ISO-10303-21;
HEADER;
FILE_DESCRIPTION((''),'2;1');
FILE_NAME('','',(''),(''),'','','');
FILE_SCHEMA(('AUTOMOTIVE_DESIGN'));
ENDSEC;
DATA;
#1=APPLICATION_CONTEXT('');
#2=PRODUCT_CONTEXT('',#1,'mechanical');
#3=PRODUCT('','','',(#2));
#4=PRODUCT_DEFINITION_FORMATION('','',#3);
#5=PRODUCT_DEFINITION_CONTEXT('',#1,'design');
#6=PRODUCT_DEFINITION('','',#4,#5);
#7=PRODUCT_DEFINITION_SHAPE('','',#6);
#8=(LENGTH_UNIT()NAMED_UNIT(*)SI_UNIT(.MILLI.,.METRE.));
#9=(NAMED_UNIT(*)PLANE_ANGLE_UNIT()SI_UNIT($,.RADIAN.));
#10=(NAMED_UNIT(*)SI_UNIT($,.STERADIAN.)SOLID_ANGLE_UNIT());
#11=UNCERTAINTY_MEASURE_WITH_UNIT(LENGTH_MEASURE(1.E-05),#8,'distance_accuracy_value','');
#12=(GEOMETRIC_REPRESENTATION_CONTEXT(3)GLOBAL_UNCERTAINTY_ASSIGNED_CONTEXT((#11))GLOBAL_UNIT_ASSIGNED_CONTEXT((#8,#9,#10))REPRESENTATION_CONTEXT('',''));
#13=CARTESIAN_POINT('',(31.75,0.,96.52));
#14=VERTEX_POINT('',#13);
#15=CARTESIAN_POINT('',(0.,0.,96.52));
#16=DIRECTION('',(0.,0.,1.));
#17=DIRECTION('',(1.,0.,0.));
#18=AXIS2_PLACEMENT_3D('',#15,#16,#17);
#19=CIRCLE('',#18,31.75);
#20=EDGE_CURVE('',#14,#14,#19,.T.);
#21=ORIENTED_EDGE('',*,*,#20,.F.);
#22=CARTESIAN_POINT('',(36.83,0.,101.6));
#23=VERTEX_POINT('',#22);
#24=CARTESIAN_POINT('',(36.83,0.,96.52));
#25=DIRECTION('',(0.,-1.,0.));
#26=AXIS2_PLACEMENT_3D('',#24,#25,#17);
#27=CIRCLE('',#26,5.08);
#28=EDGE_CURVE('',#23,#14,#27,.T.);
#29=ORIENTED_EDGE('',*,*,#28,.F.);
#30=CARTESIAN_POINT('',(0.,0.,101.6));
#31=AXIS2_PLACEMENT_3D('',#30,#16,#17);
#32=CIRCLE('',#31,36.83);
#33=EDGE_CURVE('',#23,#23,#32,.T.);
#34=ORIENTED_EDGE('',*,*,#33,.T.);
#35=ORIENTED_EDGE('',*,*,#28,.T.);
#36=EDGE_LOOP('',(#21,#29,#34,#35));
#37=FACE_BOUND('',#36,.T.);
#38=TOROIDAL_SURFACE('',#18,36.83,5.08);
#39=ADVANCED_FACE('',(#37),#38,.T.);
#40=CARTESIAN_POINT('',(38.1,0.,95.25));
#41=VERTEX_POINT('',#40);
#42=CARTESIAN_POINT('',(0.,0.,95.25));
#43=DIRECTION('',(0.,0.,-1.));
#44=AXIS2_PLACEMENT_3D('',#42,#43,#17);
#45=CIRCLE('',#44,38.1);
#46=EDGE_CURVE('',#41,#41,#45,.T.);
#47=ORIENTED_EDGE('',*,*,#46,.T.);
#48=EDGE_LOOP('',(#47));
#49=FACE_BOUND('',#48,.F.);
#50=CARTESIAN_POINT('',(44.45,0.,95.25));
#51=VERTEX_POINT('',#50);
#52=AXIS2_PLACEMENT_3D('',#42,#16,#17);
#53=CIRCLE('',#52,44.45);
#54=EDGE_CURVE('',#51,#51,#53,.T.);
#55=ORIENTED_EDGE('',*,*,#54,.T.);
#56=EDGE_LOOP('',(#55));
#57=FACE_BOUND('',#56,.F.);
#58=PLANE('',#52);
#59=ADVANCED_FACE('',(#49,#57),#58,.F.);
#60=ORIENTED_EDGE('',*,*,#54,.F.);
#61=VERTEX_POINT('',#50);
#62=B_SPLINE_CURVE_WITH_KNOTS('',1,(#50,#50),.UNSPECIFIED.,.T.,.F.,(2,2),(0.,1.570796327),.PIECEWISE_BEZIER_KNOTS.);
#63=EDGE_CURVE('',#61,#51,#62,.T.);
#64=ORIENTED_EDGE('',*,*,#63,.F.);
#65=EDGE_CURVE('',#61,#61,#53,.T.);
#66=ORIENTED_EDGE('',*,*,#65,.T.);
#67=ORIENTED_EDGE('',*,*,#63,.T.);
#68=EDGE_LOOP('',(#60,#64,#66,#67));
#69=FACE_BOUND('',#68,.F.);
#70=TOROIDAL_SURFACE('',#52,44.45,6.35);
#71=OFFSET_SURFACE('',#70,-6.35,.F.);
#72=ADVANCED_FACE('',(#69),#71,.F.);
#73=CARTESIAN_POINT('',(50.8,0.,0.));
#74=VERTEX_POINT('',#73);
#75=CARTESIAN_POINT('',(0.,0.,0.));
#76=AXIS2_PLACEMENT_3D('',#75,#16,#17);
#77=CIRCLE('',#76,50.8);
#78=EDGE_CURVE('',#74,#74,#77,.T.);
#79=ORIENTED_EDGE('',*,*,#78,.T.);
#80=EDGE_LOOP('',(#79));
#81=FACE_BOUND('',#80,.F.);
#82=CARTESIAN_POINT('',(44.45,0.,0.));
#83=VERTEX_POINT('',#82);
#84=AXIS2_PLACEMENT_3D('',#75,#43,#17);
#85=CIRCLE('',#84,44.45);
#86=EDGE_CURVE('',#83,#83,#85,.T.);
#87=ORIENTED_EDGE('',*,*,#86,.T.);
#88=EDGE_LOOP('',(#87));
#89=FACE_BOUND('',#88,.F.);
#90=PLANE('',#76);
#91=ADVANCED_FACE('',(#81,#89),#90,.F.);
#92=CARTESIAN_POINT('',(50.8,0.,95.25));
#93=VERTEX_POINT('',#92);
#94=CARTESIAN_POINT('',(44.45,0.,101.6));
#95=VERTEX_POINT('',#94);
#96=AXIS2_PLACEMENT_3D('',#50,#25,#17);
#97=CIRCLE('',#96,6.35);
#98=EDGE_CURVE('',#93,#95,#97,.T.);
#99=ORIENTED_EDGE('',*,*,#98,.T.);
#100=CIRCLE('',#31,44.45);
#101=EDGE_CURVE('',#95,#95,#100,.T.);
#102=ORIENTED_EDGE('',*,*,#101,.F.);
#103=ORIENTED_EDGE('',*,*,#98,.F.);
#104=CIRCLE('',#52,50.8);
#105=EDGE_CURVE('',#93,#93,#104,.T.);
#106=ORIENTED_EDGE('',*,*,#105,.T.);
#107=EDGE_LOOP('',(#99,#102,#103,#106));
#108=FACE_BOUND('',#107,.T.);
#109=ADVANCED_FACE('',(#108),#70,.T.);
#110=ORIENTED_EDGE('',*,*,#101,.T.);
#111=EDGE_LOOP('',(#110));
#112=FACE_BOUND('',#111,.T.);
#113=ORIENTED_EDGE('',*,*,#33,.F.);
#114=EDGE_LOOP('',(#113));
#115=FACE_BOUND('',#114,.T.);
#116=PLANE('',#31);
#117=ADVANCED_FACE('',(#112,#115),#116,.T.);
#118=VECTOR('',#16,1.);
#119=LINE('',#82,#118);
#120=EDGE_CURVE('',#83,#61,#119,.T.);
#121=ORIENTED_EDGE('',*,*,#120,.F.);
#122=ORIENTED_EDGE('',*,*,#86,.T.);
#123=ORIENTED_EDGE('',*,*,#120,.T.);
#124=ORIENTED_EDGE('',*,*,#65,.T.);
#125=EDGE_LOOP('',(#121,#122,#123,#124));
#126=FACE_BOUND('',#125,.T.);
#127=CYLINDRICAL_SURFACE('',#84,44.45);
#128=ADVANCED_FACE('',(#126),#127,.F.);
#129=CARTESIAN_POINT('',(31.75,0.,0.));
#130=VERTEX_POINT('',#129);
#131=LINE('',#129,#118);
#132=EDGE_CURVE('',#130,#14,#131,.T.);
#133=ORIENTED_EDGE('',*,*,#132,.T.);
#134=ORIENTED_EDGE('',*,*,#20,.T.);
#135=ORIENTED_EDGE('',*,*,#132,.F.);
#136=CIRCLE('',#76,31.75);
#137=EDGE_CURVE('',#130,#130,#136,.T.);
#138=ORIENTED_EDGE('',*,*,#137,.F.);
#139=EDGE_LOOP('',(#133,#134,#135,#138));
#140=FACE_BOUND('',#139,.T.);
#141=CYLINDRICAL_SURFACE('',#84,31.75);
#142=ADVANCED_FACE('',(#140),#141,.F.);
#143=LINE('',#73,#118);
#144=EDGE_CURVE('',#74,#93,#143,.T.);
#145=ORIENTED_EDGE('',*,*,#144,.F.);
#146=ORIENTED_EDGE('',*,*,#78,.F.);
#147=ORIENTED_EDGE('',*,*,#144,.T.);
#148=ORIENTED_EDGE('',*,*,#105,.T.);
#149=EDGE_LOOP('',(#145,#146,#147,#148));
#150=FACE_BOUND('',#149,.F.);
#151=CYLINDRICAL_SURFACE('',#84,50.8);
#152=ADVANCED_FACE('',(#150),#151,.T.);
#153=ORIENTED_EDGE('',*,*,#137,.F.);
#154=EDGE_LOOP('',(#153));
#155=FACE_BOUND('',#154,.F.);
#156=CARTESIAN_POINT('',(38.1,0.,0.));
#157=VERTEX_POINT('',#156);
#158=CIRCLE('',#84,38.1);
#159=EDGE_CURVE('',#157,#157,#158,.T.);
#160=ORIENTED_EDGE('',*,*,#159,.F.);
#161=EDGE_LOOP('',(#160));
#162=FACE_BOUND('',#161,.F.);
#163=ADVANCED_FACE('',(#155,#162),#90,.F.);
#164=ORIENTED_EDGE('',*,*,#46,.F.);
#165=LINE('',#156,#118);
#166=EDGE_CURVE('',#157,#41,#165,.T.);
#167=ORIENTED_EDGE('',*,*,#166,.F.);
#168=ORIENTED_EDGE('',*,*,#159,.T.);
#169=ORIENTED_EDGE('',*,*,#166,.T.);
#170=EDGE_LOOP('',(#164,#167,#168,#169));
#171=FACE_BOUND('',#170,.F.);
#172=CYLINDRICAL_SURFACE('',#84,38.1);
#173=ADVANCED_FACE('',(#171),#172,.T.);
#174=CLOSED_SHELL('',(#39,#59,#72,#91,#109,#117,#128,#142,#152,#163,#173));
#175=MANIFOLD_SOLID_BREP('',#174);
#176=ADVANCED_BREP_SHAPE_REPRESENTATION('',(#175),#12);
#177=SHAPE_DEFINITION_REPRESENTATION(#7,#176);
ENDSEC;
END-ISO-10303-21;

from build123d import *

# Parameters (mm, degrees)
F0_R     = 50.8
F0_R_2   = 31.75
F1_DEPTH = 101.6
F2_R     = 6.35
F3_R     = 5.08
F4_T     = -6.35


with BuildPart() as f1:
    # F0 (on Top) → F1 (new body)
    with BuildSketch(Plane.XY):
        Circle(F0_R)
        Circle(F0_R_2, mode=Mode.SUBTRACT)
    extrude(amount=F1_DEPTH)

    # F2
    f2_edges = [f1.edges().sort_by_distance(p)[0] for p in [
        (-50.8, 0, 101.6),
    ]]
    fillet(f2_edges, radius=F2_R)

    # F3
    f3_edges = [f1.edges().sort_by_distance(p)[0] for p in [
        (-31.75, 0, 101.6),
    ]]
    fillet(f3_edges, radius=F3_R)

    # F4
    f4_openings = [f1.faces().sort_by_distance(p)[0] for p in [
        (-49.363159, 0, 0),
    ]]
    offset(amount=F4_T, openings=f4_openings, kind=Kind.INTERSECTION)


solid = f1.part
